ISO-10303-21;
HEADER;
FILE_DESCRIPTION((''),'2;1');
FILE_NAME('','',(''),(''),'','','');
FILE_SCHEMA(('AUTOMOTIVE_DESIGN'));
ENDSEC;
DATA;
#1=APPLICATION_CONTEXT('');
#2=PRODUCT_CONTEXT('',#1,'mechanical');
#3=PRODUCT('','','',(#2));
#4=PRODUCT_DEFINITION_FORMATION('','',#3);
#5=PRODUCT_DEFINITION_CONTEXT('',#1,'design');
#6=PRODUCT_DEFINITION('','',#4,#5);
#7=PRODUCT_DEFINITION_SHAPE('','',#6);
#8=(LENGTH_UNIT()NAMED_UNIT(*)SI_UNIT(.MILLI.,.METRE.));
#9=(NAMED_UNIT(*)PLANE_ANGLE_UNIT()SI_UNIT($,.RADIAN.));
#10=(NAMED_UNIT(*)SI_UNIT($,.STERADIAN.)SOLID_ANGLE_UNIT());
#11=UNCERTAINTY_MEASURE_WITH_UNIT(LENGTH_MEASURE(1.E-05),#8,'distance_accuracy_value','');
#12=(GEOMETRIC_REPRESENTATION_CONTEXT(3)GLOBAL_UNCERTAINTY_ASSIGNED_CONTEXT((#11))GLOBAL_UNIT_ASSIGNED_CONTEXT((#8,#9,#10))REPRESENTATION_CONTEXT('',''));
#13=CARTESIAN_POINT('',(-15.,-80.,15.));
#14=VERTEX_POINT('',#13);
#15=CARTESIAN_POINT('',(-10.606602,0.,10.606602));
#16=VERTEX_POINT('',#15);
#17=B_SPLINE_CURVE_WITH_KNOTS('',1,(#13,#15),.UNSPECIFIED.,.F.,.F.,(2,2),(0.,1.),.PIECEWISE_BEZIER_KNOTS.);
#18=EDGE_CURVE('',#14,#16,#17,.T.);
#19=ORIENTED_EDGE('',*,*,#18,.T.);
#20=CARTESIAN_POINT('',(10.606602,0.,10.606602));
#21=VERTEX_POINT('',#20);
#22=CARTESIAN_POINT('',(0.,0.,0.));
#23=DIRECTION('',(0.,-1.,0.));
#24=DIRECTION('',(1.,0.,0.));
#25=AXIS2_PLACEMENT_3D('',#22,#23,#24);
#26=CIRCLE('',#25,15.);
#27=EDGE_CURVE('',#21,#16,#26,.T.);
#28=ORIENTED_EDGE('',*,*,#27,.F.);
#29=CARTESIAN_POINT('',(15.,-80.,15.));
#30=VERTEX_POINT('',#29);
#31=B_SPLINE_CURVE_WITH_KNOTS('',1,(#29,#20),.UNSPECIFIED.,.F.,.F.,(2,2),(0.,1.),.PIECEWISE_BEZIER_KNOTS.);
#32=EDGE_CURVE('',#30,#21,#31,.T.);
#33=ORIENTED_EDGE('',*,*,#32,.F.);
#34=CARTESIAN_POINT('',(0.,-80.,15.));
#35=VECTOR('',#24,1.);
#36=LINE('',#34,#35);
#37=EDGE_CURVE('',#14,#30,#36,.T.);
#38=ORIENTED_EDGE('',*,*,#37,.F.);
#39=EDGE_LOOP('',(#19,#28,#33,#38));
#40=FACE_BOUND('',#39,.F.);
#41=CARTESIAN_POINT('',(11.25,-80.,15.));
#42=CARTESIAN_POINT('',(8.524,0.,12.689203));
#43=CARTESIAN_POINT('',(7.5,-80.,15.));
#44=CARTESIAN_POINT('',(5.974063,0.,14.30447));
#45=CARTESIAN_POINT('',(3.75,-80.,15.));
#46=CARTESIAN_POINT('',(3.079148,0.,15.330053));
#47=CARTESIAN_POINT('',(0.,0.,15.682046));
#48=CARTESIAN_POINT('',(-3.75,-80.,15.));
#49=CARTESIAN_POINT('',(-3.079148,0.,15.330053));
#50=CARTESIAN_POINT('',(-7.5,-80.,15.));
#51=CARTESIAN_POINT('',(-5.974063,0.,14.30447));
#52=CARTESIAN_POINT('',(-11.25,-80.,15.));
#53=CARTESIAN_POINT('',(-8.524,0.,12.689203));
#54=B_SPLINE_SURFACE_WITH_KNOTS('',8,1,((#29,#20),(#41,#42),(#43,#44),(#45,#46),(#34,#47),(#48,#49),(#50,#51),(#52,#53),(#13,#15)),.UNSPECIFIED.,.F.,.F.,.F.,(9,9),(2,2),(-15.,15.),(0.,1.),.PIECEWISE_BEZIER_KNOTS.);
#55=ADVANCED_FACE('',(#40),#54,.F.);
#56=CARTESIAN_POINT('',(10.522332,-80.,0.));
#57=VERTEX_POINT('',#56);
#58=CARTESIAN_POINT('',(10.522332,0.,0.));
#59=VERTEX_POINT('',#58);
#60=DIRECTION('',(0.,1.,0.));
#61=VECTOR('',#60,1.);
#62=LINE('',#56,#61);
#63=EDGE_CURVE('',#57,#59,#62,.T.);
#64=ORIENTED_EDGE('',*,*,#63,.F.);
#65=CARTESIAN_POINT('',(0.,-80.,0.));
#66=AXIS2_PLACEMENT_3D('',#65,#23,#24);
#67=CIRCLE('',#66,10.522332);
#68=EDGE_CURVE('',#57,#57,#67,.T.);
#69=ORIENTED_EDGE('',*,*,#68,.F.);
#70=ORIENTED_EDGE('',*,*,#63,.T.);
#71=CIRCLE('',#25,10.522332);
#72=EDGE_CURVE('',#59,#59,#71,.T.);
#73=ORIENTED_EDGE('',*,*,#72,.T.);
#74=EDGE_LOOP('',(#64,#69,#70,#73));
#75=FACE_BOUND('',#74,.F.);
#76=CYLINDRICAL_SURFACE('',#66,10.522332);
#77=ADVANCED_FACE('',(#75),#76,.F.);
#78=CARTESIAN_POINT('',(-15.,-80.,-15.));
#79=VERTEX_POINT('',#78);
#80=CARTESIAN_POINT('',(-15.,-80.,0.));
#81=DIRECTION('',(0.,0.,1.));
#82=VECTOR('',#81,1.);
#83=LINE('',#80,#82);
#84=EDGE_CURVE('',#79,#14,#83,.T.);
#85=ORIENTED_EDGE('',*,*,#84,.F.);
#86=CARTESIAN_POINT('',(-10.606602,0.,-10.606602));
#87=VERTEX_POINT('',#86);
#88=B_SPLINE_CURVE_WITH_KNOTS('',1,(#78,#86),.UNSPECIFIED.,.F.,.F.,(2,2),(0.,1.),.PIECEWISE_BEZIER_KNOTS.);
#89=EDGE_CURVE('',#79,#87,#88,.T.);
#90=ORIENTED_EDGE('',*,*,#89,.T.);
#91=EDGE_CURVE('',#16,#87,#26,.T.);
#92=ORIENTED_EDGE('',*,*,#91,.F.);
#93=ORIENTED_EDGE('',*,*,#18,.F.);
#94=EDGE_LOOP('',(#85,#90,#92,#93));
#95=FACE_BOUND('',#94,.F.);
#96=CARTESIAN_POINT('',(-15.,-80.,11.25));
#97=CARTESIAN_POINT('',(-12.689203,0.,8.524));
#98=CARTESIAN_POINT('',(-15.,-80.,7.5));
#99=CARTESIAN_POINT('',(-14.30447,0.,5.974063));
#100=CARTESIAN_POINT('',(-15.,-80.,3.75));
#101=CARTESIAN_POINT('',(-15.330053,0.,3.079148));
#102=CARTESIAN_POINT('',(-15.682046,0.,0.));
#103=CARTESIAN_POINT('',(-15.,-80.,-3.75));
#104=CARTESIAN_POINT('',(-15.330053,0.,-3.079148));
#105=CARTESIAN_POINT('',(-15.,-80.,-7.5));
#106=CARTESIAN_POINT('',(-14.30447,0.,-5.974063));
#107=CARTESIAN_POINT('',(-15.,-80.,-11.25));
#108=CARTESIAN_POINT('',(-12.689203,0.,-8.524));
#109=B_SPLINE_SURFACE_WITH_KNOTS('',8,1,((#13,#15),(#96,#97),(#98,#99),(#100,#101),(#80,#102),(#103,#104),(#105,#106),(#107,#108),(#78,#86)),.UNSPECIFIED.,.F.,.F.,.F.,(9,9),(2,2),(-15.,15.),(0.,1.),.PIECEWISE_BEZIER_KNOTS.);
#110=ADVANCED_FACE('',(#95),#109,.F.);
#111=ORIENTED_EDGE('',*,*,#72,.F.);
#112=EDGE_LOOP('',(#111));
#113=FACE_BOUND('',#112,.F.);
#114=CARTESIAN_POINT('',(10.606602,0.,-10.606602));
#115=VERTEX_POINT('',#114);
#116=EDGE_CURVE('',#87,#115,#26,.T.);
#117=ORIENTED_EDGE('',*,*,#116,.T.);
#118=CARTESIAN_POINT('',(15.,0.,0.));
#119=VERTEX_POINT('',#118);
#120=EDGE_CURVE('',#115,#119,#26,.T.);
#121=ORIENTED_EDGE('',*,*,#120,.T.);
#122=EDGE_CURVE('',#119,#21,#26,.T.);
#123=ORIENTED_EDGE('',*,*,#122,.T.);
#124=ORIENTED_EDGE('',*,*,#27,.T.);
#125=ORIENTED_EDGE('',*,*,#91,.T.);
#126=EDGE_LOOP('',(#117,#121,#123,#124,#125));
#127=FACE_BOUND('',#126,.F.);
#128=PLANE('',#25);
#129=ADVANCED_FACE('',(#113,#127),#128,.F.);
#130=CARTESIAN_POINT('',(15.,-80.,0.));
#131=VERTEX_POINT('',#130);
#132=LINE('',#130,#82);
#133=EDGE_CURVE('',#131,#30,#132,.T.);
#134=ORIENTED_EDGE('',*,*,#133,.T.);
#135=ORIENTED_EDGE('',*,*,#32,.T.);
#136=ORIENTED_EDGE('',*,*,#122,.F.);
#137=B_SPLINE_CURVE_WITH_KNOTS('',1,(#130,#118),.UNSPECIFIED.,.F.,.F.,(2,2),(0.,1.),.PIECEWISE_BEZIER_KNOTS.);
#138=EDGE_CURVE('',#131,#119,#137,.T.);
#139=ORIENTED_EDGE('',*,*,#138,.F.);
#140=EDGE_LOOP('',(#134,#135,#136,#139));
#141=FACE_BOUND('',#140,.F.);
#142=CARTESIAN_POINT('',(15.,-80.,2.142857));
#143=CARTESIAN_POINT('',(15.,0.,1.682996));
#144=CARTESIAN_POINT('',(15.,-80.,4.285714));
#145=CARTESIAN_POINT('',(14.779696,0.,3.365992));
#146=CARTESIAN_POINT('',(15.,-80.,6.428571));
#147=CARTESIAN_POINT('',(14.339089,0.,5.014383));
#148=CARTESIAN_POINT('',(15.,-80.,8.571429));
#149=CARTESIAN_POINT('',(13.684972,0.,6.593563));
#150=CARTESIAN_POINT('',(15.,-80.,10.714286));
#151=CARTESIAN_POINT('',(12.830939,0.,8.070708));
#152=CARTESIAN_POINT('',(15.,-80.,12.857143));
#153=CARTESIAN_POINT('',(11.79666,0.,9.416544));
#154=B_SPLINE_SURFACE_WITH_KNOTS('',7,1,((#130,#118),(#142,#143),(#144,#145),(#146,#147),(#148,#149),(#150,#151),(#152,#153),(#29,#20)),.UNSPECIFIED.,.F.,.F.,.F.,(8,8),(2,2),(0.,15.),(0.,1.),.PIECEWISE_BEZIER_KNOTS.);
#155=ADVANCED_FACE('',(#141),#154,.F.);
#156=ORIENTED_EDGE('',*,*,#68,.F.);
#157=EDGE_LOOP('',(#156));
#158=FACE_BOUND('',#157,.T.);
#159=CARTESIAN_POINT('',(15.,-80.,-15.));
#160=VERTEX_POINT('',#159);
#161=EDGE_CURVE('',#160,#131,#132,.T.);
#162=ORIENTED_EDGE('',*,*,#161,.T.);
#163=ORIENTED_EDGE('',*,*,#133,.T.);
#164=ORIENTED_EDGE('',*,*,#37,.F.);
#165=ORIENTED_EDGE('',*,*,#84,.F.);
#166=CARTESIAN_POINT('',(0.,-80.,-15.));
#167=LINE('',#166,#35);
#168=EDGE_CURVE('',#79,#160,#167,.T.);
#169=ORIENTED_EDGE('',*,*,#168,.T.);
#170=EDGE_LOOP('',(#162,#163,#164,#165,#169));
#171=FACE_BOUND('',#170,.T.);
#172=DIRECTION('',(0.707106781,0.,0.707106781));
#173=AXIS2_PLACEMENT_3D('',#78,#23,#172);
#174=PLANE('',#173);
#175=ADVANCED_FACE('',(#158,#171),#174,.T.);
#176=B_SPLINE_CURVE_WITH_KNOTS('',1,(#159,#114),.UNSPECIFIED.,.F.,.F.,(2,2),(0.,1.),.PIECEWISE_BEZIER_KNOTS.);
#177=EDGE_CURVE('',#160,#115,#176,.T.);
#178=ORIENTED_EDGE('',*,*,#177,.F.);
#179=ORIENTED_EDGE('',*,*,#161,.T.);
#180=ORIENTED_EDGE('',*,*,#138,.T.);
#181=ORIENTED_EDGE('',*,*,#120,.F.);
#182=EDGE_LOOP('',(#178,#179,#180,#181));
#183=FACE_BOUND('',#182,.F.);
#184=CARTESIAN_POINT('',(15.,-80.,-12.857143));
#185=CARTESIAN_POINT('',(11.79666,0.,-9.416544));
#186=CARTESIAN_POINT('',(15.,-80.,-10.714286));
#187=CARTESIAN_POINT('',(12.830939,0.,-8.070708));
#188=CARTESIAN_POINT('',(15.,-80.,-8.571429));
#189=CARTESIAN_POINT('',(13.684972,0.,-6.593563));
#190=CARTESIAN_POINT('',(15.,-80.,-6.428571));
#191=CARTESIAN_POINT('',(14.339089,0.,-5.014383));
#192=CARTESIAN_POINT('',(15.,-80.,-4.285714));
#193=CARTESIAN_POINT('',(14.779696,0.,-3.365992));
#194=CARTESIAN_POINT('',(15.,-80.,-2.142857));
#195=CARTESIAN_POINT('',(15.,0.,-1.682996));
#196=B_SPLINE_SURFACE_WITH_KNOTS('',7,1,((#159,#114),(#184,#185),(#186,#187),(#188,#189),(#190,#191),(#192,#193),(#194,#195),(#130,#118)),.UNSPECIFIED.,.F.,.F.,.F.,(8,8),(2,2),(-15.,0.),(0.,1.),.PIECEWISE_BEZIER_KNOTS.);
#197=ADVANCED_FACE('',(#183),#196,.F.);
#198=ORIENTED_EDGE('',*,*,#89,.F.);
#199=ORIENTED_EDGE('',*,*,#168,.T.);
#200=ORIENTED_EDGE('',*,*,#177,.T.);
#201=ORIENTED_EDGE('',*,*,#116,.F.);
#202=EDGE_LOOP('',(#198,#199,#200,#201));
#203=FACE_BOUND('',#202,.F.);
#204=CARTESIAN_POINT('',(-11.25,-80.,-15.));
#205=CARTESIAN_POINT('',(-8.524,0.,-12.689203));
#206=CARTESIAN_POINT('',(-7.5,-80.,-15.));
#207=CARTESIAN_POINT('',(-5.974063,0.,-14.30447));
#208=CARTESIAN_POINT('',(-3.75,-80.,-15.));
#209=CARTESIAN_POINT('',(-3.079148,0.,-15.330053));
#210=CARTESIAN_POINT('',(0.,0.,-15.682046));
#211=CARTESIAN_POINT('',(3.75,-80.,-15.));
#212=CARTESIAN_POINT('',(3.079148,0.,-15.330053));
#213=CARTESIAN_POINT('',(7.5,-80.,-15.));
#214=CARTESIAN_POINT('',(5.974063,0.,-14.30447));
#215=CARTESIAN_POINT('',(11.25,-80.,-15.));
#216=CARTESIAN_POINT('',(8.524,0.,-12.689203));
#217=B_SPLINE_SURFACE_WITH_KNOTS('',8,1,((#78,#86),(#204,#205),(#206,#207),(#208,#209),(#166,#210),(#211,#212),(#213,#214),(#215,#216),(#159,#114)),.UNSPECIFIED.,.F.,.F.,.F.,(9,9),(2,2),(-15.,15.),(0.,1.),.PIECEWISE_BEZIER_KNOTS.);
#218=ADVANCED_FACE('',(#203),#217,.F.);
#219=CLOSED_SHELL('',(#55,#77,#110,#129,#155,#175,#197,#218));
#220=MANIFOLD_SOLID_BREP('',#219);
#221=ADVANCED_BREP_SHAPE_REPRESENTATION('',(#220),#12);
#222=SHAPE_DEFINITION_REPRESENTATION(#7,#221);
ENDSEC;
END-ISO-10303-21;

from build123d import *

# Parameters (mm, degrees)
F2_W     = 30
F2_H     = 30
F0_R     = 15
F4_R     = 10.522332
F5_DEPTH = 80.001


with BuildPart() as f3:
    # F2 (on offset) → F3 section 0
    with BuildSketch(Plane.XZ.offset(80)):
        Rectangle(F2_W, F2_H)
    # F0 (on Front) → F3 section 1
    with BuildSketch(Plane.XZ):
        Circle(F0_R)
    loft()

    # F4 (on offset) → F5 (cut, through all)
    with BuildSketch(Plane.XZ.offset(80)):
        Circle(F4_R)
    extrude(amount=-F5_DEPTH, mode=Mode.SUBTRACT)


solid = f3.part
